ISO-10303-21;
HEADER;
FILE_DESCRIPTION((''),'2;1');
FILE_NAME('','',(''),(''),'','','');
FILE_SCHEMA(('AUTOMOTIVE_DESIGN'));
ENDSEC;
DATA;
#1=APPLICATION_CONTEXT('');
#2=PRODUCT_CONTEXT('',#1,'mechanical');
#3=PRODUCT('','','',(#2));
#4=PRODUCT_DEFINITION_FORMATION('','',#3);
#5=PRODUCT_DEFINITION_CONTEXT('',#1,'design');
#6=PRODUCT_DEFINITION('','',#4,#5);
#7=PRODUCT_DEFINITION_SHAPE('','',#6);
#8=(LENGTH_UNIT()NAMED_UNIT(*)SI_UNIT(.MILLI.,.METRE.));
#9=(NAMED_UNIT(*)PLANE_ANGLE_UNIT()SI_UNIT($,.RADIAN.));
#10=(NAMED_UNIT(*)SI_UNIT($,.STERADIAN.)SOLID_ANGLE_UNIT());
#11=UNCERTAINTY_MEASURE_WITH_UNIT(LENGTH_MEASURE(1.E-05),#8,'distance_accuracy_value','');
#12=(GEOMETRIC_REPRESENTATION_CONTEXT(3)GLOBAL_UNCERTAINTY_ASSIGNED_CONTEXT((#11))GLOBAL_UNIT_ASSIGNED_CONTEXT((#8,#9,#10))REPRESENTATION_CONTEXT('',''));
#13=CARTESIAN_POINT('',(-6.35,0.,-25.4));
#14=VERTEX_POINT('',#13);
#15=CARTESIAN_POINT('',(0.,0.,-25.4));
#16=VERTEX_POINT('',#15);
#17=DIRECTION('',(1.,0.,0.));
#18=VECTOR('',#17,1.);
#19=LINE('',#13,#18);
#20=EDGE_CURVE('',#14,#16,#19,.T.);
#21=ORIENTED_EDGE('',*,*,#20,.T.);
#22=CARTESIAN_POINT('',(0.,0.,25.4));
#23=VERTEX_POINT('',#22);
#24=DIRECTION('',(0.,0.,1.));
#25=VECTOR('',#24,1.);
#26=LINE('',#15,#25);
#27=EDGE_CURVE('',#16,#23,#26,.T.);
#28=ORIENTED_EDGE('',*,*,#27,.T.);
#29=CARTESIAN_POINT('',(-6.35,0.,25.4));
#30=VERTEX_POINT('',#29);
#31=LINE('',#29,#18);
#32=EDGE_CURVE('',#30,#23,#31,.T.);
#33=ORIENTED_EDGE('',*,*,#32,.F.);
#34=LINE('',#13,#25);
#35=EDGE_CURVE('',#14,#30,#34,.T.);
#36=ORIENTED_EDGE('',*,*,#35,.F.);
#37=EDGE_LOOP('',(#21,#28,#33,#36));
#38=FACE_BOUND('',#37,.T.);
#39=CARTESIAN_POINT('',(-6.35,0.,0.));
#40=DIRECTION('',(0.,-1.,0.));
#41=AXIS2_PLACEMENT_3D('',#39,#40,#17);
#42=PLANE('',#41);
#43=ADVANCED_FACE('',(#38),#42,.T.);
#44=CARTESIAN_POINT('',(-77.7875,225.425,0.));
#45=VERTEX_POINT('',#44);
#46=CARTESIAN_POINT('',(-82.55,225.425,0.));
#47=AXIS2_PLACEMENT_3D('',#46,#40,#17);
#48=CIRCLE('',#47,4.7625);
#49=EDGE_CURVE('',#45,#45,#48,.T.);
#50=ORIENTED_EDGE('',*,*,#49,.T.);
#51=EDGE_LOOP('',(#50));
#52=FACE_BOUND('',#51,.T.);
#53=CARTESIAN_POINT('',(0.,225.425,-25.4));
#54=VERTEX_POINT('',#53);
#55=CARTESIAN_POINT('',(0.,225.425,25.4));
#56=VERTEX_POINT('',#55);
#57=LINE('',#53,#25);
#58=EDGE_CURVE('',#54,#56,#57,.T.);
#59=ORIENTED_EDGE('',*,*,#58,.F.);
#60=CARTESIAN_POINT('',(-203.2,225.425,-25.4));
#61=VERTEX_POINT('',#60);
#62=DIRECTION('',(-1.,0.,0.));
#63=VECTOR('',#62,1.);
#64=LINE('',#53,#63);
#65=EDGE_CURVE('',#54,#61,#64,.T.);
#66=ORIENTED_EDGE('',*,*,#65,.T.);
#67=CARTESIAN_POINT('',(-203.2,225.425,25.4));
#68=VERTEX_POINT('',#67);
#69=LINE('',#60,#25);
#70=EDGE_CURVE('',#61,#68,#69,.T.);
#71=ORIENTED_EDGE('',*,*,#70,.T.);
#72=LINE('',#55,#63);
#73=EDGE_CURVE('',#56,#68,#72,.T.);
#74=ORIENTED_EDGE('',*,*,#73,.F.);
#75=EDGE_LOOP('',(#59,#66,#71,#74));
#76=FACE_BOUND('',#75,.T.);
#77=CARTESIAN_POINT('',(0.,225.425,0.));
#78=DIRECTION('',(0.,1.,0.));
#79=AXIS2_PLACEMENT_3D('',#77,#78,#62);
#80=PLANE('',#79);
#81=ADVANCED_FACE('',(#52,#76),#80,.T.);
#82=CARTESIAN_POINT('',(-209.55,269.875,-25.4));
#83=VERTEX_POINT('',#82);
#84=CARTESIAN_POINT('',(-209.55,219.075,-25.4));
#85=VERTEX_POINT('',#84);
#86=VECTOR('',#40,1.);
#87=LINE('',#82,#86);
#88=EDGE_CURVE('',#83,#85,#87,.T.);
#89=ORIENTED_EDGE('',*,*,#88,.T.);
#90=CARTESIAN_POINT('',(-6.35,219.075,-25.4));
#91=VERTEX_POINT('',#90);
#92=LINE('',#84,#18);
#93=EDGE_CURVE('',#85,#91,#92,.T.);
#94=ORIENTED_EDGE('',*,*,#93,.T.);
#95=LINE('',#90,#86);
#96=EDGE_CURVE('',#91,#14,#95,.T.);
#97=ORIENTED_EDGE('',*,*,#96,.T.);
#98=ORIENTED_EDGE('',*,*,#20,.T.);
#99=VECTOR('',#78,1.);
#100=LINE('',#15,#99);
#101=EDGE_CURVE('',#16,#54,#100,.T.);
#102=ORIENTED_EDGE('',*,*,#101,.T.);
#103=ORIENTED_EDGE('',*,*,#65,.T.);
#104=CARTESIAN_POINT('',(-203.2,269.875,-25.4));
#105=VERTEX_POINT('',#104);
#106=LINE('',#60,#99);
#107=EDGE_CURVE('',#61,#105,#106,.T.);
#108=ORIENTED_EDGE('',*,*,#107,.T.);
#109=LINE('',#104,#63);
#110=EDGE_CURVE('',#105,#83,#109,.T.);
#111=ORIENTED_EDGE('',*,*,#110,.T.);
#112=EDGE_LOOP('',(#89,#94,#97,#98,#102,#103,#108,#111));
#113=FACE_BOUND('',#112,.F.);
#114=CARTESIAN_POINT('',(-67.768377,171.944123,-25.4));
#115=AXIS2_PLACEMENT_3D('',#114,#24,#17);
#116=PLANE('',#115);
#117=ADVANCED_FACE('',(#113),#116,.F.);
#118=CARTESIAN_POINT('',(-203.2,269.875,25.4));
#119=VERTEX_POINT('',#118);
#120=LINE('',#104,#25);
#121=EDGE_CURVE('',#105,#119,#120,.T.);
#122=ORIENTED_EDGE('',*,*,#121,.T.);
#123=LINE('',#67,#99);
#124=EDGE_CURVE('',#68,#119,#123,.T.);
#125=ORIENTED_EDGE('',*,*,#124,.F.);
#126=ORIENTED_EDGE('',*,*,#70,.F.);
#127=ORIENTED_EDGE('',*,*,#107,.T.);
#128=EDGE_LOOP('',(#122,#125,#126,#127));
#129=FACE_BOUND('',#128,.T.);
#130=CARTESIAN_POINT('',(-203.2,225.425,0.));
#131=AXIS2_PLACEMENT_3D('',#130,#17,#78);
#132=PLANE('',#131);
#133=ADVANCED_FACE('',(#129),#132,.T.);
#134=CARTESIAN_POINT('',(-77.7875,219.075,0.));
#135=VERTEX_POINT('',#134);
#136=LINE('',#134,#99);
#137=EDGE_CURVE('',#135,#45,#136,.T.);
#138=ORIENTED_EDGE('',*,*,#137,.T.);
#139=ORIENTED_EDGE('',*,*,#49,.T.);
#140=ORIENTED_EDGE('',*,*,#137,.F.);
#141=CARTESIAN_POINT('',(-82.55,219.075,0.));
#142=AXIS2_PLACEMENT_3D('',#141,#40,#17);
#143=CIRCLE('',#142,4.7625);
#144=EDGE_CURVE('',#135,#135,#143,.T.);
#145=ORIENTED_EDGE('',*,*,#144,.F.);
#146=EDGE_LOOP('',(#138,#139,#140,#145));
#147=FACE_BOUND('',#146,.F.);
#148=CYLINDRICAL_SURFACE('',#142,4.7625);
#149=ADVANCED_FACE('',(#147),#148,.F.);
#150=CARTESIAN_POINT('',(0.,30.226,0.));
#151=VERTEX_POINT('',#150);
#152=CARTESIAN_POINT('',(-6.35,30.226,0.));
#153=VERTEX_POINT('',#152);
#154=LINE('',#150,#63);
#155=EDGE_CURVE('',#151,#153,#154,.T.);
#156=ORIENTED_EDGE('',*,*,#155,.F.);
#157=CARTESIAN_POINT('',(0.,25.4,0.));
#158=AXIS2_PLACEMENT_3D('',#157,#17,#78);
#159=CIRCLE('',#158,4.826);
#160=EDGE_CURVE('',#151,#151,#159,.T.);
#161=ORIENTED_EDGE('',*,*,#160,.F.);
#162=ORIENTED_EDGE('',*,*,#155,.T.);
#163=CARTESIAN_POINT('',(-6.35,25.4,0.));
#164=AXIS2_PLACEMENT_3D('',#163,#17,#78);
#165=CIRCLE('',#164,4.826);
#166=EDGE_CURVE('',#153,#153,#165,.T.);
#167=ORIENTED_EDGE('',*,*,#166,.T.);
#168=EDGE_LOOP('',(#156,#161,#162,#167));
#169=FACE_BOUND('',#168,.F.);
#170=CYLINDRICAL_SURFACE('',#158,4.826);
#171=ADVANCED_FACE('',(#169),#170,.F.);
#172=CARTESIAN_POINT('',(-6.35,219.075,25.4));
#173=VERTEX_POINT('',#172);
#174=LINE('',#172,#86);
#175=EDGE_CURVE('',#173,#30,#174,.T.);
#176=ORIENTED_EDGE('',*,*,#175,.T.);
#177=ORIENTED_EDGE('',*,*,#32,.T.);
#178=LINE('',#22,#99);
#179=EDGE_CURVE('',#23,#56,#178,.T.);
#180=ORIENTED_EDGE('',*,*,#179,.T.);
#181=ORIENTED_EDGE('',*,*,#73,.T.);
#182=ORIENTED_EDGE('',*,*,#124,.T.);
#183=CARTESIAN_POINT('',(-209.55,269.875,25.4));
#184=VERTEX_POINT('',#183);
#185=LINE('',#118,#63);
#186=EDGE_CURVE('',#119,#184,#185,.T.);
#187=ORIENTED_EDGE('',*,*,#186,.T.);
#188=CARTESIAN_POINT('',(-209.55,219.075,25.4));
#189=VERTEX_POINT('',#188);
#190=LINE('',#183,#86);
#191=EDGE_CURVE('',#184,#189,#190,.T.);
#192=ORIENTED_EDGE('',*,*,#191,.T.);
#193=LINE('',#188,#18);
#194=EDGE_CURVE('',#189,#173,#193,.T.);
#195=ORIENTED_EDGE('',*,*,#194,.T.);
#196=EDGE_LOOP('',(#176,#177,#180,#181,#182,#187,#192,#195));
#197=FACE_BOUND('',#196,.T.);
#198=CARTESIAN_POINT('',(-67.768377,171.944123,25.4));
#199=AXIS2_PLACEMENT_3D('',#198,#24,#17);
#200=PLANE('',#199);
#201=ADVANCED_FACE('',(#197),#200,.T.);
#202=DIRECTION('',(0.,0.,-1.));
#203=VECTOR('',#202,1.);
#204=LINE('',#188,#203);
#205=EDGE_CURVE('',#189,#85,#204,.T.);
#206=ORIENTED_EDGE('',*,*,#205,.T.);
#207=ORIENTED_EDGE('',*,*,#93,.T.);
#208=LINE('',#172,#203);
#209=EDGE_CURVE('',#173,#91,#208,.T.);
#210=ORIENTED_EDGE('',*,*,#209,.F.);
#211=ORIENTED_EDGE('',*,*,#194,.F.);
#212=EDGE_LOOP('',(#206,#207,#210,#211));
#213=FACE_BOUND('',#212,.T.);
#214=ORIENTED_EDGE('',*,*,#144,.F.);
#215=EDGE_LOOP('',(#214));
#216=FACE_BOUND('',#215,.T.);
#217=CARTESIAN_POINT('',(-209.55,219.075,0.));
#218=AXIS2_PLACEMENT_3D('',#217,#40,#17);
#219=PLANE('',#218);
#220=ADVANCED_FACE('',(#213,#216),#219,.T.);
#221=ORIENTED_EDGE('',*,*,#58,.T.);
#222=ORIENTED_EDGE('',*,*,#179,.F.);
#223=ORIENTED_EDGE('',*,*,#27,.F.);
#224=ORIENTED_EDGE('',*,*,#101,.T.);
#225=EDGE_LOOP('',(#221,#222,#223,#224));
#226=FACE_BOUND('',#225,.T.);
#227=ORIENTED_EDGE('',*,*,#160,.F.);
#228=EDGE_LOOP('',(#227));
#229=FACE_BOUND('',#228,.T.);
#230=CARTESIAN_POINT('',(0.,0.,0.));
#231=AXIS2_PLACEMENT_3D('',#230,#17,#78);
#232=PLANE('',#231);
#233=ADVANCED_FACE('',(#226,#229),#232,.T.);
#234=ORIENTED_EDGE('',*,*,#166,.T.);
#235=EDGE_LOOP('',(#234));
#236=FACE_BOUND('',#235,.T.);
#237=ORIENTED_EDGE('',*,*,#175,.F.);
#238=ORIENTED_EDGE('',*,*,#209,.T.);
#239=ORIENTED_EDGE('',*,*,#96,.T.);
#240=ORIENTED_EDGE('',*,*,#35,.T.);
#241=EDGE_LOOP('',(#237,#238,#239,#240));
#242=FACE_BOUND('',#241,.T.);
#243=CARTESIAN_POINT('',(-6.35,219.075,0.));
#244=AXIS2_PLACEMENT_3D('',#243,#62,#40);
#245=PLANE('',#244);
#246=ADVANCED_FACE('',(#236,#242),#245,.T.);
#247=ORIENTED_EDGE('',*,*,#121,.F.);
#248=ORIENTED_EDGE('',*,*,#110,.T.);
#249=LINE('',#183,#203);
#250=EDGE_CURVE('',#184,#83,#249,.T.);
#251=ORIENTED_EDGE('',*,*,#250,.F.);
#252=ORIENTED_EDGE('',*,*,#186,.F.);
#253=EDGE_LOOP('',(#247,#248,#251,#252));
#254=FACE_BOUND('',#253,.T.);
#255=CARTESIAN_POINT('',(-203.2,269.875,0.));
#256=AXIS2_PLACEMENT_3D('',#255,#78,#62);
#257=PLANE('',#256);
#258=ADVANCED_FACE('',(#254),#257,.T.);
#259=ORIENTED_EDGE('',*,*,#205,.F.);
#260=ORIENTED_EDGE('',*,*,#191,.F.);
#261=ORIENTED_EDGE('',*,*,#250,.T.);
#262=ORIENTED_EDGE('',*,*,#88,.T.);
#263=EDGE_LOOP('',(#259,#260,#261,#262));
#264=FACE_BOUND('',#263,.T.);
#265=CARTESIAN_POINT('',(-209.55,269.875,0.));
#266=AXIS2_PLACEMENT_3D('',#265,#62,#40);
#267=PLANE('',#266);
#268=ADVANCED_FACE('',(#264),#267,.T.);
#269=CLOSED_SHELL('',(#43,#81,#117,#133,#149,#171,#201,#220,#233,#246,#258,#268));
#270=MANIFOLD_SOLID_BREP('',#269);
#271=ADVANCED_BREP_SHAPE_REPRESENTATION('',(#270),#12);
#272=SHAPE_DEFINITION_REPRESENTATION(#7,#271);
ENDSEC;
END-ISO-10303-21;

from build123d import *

# Parameters (mm, degrees)
F1_DEPTH = 25.4
F2_R     = 4.7625
F3_DEPTH = 50.801
F4_R     = 4.826
F5_DEPTH = 209.551


with BuildPart() as f1:
    # F0 (on Top) → F1 (new body, symmetric)
    with BuildSketch(Plane.XY):
        Polygon((-6.35, 219.075), (-6.35, 0), (0, 0), (0, 225.425), (-203.2, 225.425), (-203.2, 269.875), (-209.55, 269.875), (-209.55, 219.075), align=None)
    extrude(amount=F1_DEPTH, both=True)

    # F2 (on face) → F3 (cut, through all)
    with BuildSketch(Plane.XZ.offset(-219.075)):
        with Locations((-82.55, 0)):
            Circle(F2_R)
    extrude(amount=-F3_DEPTH, mode=Mode.SUBTRACT)

    # F4 (on face) → F5 (cut, through all)
    with BuildSketch(Plane.YZ):
        with Locations((25.4, 0)):
            Circle(F4_R)
    extrude(amount=-F5_DEPTH, mode=Mode.SUBTRACT)


solid = f1.part
